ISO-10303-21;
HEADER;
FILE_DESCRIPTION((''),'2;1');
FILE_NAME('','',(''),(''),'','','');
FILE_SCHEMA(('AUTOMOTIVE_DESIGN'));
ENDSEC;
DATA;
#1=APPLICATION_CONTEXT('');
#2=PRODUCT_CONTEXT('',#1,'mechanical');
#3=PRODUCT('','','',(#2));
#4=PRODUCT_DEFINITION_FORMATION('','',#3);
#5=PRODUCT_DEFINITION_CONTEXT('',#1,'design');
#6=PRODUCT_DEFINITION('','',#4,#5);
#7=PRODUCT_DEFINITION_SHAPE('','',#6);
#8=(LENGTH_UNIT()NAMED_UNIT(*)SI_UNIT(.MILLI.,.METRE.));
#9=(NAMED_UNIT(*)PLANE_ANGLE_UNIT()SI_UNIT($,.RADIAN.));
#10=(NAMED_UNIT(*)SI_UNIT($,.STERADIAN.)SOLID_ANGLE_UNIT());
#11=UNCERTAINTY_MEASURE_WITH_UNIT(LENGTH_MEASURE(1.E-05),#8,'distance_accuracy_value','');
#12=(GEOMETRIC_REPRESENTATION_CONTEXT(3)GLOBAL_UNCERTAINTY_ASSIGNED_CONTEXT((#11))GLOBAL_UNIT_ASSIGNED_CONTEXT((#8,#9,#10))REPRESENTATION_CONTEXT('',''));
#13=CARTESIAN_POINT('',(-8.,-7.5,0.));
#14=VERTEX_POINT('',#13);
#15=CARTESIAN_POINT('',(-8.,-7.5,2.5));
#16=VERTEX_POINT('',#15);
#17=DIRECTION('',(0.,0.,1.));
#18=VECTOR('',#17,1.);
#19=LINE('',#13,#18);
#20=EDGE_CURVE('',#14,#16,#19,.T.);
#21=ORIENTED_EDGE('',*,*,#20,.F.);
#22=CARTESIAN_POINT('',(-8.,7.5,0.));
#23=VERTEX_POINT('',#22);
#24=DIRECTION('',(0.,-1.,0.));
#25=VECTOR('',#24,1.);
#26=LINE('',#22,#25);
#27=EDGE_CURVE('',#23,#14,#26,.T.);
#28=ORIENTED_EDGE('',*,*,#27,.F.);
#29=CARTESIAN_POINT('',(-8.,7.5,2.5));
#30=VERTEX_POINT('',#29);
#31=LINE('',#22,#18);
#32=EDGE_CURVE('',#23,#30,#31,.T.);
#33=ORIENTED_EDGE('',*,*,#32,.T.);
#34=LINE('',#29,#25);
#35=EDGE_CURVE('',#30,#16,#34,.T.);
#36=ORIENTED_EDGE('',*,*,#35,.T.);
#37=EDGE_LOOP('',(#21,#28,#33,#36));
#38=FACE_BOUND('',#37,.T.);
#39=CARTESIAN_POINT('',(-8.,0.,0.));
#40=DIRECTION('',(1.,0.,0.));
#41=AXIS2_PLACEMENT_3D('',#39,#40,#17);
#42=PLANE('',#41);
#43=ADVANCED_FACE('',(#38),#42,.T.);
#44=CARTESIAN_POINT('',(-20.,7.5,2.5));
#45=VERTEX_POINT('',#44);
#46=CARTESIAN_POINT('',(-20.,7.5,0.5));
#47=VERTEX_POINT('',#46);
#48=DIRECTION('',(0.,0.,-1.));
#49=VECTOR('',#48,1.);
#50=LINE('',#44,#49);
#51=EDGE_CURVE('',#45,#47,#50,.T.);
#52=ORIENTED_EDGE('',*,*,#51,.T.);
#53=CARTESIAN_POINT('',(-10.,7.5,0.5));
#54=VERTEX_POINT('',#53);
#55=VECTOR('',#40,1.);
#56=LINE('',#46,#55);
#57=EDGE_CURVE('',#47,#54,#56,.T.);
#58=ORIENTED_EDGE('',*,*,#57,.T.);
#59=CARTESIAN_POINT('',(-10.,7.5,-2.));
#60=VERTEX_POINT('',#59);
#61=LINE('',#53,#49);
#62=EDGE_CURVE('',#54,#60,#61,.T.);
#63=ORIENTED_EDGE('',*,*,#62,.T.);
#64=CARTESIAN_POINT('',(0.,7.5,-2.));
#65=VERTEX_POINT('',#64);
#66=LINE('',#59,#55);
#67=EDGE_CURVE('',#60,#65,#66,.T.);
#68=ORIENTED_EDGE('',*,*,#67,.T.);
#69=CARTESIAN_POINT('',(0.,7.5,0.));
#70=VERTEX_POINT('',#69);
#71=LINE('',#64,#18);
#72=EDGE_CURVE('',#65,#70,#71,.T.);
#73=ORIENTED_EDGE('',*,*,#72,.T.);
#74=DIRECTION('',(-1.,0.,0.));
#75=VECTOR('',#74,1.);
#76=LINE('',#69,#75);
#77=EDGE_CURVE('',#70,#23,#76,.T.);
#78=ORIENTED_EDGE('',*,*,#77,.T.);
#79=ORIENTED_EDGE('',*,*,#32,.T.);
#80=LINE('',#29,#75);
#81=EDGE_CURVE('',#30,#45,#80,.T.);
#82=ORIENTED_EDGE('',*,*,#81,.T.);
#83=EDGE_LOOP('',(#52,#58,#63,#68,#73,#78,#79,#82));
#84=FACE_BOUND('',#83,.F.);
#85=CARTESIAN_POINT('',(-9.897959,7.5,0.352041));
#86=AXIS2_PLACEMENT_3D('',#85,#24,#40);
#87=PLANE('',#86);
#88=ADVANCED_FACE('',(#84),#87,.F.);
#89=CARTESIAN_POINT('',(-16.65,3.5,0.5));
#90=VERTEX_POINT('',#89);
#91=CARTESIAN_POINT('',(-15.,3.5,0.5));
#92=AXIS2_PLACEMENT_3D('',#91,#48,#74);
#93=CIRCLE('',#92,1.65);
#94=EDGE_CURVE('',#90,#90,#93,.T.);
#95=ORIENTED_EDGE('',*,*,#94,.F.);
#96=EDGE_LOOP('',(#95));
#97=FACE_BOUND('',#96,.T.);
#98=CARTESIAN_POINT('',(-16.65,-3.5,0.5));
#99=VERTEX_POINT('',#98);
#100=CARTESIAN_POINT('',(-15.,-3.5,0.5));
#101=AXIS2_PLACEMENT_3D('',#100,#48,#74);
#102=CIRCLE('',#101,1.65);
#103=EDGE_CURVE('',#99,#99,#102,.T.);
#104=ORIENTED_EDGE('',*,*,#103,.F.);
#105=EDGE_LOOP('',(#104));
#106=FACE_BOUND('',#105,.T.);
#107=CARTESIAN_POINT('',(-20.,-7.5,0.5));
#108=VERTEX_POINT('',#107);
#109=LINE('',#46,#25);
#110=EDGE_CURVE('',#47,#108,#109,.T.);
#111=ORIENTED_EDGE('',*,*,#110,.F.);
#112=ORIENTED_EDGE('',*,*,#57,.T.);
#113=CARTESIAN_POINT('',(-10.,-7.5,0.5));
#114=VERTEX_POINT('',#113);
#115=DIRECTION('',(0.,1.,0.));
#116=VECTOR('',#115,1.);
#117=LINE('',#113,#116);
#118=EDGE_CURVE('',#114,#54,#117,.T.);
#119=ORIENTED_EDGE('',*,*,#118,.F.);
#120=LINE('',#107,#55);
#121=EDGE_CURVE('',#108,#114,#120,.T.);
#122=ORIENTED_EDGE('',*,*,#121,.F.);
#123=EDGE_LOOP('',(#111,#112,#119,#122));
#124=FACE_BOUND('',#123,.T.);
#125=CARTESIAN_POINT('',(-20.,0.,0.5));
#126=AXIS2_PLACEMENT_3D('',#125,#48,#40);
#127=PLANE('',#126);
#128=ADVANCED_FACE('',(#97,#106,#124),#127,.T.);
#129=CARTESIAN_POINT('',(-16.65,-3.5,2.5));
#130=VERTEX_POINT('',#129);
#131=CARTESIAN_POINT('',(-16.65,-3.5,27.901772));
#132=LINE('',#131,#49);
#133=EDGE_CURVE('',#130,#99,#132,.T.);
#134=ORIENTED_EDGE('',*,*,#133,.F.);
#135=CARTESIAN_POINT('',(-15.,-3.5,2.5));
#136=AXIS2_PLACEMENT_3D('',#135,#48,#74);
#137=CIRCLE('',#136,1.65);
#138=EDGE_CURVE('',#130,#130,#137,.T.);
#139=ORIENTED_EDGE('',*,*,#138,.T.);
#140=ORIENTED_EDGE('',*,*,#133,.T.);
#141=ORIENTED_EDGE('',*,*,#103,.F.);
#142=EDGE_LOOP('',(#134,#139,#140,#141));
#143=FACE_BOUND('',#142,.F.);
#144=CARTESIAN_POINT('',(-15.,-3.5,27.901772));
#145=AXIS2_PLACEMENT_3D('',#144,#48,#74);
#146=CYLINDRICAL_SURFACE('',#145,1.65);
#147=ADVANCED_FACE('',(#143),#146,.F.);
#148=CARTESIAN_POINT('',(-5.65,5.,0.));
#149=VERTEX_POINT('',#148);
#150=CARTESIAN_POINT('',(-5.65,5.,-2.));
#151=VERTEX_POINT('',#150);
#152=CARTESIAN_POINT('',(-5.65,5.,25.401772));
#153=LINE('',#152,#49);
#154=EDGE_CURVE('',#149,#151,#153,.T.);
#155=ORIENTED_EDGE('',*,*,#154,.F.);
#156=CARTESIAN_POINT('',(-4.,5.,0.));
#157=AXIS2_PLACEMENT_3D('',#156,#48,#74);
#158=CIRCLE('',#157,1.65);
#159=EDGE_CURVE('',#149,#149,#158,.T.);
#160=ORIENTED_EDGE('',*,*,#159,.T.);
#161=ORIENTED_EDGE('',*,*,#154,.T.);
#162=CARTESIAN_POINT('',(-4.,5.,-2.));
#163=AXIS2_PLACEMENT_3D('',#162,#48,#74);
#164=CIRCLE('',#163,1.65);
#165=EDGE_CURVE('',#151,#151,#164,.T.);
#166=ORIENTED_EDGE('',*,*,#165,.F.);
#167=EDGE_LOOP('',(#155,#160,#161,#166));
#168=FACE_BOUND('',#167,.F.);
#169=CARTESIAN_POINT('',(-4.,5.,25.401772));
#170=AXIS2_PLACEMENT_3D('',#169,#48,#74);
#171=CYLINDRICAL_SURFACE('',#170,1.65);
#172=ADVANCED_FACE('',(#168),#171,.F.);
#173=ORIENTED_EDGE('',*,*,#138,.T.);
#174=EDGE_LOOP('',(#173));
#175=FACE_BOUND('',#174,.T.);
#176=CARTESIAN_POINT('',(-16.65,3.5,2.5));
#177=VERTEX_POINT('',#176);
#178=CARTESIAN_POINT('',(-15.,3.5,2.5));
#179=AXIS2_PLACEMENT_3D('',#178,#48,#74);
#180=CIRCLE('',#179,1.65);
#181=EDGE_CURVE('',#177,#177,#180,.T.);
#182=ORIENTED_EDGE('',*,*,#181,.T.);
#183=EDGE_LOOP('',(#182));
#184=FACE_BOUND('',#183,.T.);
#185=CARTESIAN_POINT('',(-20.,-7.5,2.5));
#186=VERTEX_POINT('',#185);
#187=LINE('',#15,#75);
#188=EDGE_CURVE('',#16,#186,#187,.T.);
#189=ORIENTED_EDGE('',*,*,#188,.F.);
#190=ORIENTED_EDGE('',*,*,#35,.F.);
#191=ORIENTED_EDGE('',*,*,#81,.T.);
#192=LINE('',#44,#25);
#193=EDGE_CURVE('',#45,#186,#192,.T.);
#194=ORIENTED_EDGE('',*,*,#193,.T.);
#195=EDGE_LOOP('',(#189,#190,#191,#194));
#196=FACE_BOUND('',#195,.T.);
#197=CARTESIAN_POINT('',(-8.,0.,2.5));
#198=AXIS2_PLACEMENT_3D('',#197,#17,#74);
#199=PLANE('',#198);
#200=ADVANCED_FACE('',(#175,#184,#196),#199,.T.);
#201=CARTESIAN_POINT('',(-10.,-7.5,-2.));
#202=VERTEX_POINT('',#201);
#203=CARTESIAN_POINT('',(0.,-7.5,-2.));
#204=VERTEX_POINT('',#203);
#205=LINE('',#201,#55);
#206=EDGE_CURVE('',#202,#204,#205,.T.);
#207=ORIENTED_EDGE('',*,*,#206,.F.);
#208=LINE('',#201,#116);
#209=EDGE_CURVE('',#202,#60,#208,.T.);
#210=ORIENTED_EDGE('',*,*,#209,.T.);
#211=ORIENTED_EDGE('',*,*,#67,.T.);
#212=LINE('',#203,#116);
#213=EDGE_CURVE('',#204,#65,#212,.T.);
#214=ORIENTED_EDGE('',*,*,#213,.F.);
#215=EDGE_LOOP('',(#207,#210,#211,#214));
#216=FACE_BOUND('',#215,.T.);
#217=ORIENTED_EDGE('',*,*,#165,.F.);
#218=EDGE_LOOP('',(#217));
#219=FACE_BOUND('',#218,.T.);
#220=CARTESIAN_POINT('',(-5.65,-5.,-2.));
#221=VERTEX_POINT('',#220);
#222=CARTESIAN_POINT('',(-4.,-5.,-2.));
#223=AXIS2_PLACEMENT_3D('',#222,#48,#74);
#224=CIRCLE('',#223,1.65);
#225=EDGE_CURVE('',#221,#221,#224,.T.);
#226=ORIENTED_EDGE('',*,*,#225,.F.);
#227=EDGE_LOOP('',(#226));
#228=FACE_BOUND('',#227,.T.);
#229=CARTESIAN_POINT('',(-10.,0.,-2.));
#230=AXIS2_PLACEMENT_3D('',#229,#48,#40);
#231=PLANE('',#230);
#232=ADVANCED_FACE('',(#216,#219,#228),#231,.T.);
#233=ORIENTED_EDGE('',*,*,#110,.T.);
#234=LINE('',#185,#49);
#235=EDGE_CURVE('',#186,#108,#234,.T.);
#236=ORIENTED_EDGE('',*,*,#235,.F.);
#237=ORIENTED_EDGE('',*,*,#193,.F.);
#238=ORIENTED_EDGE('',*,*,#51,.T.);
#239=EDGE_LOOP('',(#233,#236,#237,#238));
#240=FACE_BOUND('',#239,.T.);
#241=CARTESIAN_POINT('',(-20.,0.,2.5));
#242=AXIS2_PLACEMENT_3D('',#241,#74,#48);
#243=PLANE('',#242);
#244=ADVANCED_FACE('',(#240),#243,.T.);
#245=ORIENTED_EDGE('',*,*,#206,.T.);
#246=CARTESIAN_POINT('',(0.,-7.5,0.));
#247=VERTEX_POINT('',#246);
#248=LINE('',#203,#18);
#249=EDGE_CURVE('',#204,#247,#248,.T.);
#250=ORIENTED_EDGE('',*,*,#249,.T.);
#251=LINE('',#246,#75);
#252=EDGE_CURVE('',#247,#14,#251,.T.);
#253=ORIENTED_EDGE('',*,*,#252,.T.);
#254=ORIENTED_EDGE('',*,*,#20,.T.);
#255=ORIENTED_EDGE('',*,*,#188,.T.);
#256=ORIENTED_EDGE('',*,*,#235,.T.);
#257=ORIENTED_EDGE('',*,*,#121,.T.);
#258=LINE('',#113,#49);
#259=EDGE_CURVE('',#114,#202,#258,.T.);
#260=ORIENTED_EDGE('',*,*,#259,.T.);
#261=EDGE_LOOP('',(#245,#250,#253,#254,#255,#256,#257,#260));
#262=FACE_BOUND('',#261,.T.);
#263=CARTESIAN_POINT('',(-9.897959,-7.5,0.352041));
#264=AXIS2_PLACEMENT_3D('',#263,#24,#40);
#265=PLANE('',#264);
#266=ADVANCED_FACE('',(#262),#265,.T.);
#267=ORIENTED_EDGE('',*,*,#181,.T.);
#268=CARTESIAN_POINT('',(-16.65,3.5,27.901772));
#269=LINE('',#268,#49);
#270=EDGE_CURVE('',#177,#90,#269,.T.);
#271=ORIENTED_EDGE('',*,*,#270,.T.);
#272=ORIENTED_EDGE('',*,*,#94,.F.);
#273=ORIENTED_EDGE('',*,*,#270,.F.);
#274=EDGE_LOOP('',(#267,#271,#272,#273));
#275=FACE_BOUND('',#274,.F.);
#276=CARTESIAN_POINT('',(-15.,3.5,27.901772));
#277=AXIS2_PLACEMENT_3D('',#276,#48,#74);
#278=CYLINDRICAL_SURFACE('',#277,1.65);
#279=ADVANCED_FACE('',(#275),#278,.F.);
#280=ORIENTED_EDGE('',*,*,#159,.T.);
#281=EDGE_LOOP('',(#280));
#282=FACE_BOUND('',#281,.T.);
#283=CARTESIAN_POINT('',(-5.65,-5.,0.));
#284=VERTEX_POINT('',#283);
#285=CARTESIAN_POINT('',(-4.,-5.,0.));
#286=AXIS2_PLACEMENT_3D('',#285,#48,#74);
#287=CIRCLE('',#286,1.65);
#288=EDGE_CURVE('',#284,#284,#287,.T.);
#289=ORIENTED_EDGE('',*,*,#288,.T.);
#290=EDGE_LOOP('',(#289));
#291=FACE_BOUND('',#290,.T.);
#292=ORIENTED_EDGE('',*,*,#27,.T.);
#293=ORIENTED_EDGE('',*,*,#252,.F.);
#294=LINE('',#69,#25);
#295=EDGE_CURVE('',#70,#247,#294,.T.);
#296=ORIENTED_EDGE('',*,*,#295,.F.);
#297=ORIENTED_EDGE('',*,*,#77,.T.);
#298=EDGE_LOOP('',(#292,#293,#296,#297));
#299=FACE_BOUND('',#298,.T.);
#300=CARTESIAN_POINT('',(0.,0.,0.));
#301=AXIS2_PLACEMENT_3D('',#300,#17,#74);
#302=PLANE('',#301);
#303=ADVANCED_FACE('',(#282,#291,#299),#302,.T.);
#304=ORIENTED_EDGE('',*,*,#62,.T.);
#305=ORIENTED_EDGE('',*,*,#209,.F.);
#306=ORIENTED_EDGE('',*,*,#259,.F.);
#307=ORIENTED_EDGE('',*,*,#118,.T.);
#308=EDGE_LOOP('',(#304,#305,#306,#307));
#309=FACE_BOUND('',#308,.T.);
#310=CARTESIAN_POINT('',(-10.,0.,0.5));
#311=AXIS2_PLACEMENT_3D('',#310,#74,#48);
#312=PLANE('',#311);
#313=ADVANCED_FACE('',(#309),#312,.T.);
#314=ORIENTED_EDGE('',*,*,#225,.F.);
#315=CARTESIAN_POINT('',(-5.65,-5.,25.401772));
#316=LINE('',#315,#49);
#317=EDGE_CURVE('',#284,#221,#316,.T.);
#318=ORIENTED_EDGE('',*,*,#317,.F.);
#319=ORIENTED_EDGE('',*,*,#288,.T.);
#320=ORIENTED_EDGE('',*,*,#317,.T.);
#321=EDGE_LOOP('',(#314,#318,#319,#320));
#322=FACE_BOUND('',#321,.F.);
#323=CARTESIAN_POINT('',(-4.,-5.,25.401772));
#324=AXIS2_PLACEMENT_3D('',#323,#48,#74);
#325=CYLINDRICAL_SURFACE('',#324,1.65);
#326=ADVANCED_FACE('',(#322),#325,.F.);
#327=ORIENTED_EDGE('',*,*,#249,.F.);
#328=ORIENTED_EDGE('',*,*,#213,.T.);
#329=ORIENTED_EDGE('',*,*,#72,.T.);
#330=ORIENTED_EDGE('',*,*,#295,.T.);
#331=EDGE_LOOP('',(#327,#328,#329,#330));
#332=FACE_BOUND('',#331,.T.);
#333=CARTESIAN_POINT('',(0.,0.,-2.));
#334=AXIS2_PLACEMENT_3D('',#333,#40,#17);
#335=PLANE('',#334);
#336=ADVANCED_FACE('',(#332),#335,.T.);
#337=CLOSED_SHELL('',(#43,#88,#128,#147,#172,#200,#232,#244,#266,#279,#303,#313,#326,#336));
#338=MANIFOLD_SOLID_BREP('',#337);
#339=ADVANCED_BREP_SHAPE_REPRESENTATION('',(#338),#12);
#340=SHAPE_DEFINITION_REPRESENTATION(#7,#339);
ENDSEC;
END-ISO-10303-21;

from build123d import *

# Parameters (mm, degrees)
F1_DEPTH = 7.5
F3_D     = 3.3
F5_D     = 3.3


with BuildPart() as f1:
    # F0 (on Front) → F1 (new body, symmetric)
    with BuildSketch(Plane.XZ):
        Polygon((0, -2), (0, 0), (-8, 0), (-8, 2.5), (-20, 2.5), (-20, 0.5), (-10, 0.5), (-10, -2), align=None)
    extrude(amount=F1_DEPTH, both=True)

    # F3 (through all)
    with Locations(Plane.XY.offset(2.5)):
        with Locations((-15, -3.5), (-15, 3.5)):
            Hole(F3_D / 2)

    # F5 (through all)
    with Locations(Plane.XY):
        with Locations((-4, -5), (-4, 5)):
            Hole(F5_D / 2)


solid = f1.part
